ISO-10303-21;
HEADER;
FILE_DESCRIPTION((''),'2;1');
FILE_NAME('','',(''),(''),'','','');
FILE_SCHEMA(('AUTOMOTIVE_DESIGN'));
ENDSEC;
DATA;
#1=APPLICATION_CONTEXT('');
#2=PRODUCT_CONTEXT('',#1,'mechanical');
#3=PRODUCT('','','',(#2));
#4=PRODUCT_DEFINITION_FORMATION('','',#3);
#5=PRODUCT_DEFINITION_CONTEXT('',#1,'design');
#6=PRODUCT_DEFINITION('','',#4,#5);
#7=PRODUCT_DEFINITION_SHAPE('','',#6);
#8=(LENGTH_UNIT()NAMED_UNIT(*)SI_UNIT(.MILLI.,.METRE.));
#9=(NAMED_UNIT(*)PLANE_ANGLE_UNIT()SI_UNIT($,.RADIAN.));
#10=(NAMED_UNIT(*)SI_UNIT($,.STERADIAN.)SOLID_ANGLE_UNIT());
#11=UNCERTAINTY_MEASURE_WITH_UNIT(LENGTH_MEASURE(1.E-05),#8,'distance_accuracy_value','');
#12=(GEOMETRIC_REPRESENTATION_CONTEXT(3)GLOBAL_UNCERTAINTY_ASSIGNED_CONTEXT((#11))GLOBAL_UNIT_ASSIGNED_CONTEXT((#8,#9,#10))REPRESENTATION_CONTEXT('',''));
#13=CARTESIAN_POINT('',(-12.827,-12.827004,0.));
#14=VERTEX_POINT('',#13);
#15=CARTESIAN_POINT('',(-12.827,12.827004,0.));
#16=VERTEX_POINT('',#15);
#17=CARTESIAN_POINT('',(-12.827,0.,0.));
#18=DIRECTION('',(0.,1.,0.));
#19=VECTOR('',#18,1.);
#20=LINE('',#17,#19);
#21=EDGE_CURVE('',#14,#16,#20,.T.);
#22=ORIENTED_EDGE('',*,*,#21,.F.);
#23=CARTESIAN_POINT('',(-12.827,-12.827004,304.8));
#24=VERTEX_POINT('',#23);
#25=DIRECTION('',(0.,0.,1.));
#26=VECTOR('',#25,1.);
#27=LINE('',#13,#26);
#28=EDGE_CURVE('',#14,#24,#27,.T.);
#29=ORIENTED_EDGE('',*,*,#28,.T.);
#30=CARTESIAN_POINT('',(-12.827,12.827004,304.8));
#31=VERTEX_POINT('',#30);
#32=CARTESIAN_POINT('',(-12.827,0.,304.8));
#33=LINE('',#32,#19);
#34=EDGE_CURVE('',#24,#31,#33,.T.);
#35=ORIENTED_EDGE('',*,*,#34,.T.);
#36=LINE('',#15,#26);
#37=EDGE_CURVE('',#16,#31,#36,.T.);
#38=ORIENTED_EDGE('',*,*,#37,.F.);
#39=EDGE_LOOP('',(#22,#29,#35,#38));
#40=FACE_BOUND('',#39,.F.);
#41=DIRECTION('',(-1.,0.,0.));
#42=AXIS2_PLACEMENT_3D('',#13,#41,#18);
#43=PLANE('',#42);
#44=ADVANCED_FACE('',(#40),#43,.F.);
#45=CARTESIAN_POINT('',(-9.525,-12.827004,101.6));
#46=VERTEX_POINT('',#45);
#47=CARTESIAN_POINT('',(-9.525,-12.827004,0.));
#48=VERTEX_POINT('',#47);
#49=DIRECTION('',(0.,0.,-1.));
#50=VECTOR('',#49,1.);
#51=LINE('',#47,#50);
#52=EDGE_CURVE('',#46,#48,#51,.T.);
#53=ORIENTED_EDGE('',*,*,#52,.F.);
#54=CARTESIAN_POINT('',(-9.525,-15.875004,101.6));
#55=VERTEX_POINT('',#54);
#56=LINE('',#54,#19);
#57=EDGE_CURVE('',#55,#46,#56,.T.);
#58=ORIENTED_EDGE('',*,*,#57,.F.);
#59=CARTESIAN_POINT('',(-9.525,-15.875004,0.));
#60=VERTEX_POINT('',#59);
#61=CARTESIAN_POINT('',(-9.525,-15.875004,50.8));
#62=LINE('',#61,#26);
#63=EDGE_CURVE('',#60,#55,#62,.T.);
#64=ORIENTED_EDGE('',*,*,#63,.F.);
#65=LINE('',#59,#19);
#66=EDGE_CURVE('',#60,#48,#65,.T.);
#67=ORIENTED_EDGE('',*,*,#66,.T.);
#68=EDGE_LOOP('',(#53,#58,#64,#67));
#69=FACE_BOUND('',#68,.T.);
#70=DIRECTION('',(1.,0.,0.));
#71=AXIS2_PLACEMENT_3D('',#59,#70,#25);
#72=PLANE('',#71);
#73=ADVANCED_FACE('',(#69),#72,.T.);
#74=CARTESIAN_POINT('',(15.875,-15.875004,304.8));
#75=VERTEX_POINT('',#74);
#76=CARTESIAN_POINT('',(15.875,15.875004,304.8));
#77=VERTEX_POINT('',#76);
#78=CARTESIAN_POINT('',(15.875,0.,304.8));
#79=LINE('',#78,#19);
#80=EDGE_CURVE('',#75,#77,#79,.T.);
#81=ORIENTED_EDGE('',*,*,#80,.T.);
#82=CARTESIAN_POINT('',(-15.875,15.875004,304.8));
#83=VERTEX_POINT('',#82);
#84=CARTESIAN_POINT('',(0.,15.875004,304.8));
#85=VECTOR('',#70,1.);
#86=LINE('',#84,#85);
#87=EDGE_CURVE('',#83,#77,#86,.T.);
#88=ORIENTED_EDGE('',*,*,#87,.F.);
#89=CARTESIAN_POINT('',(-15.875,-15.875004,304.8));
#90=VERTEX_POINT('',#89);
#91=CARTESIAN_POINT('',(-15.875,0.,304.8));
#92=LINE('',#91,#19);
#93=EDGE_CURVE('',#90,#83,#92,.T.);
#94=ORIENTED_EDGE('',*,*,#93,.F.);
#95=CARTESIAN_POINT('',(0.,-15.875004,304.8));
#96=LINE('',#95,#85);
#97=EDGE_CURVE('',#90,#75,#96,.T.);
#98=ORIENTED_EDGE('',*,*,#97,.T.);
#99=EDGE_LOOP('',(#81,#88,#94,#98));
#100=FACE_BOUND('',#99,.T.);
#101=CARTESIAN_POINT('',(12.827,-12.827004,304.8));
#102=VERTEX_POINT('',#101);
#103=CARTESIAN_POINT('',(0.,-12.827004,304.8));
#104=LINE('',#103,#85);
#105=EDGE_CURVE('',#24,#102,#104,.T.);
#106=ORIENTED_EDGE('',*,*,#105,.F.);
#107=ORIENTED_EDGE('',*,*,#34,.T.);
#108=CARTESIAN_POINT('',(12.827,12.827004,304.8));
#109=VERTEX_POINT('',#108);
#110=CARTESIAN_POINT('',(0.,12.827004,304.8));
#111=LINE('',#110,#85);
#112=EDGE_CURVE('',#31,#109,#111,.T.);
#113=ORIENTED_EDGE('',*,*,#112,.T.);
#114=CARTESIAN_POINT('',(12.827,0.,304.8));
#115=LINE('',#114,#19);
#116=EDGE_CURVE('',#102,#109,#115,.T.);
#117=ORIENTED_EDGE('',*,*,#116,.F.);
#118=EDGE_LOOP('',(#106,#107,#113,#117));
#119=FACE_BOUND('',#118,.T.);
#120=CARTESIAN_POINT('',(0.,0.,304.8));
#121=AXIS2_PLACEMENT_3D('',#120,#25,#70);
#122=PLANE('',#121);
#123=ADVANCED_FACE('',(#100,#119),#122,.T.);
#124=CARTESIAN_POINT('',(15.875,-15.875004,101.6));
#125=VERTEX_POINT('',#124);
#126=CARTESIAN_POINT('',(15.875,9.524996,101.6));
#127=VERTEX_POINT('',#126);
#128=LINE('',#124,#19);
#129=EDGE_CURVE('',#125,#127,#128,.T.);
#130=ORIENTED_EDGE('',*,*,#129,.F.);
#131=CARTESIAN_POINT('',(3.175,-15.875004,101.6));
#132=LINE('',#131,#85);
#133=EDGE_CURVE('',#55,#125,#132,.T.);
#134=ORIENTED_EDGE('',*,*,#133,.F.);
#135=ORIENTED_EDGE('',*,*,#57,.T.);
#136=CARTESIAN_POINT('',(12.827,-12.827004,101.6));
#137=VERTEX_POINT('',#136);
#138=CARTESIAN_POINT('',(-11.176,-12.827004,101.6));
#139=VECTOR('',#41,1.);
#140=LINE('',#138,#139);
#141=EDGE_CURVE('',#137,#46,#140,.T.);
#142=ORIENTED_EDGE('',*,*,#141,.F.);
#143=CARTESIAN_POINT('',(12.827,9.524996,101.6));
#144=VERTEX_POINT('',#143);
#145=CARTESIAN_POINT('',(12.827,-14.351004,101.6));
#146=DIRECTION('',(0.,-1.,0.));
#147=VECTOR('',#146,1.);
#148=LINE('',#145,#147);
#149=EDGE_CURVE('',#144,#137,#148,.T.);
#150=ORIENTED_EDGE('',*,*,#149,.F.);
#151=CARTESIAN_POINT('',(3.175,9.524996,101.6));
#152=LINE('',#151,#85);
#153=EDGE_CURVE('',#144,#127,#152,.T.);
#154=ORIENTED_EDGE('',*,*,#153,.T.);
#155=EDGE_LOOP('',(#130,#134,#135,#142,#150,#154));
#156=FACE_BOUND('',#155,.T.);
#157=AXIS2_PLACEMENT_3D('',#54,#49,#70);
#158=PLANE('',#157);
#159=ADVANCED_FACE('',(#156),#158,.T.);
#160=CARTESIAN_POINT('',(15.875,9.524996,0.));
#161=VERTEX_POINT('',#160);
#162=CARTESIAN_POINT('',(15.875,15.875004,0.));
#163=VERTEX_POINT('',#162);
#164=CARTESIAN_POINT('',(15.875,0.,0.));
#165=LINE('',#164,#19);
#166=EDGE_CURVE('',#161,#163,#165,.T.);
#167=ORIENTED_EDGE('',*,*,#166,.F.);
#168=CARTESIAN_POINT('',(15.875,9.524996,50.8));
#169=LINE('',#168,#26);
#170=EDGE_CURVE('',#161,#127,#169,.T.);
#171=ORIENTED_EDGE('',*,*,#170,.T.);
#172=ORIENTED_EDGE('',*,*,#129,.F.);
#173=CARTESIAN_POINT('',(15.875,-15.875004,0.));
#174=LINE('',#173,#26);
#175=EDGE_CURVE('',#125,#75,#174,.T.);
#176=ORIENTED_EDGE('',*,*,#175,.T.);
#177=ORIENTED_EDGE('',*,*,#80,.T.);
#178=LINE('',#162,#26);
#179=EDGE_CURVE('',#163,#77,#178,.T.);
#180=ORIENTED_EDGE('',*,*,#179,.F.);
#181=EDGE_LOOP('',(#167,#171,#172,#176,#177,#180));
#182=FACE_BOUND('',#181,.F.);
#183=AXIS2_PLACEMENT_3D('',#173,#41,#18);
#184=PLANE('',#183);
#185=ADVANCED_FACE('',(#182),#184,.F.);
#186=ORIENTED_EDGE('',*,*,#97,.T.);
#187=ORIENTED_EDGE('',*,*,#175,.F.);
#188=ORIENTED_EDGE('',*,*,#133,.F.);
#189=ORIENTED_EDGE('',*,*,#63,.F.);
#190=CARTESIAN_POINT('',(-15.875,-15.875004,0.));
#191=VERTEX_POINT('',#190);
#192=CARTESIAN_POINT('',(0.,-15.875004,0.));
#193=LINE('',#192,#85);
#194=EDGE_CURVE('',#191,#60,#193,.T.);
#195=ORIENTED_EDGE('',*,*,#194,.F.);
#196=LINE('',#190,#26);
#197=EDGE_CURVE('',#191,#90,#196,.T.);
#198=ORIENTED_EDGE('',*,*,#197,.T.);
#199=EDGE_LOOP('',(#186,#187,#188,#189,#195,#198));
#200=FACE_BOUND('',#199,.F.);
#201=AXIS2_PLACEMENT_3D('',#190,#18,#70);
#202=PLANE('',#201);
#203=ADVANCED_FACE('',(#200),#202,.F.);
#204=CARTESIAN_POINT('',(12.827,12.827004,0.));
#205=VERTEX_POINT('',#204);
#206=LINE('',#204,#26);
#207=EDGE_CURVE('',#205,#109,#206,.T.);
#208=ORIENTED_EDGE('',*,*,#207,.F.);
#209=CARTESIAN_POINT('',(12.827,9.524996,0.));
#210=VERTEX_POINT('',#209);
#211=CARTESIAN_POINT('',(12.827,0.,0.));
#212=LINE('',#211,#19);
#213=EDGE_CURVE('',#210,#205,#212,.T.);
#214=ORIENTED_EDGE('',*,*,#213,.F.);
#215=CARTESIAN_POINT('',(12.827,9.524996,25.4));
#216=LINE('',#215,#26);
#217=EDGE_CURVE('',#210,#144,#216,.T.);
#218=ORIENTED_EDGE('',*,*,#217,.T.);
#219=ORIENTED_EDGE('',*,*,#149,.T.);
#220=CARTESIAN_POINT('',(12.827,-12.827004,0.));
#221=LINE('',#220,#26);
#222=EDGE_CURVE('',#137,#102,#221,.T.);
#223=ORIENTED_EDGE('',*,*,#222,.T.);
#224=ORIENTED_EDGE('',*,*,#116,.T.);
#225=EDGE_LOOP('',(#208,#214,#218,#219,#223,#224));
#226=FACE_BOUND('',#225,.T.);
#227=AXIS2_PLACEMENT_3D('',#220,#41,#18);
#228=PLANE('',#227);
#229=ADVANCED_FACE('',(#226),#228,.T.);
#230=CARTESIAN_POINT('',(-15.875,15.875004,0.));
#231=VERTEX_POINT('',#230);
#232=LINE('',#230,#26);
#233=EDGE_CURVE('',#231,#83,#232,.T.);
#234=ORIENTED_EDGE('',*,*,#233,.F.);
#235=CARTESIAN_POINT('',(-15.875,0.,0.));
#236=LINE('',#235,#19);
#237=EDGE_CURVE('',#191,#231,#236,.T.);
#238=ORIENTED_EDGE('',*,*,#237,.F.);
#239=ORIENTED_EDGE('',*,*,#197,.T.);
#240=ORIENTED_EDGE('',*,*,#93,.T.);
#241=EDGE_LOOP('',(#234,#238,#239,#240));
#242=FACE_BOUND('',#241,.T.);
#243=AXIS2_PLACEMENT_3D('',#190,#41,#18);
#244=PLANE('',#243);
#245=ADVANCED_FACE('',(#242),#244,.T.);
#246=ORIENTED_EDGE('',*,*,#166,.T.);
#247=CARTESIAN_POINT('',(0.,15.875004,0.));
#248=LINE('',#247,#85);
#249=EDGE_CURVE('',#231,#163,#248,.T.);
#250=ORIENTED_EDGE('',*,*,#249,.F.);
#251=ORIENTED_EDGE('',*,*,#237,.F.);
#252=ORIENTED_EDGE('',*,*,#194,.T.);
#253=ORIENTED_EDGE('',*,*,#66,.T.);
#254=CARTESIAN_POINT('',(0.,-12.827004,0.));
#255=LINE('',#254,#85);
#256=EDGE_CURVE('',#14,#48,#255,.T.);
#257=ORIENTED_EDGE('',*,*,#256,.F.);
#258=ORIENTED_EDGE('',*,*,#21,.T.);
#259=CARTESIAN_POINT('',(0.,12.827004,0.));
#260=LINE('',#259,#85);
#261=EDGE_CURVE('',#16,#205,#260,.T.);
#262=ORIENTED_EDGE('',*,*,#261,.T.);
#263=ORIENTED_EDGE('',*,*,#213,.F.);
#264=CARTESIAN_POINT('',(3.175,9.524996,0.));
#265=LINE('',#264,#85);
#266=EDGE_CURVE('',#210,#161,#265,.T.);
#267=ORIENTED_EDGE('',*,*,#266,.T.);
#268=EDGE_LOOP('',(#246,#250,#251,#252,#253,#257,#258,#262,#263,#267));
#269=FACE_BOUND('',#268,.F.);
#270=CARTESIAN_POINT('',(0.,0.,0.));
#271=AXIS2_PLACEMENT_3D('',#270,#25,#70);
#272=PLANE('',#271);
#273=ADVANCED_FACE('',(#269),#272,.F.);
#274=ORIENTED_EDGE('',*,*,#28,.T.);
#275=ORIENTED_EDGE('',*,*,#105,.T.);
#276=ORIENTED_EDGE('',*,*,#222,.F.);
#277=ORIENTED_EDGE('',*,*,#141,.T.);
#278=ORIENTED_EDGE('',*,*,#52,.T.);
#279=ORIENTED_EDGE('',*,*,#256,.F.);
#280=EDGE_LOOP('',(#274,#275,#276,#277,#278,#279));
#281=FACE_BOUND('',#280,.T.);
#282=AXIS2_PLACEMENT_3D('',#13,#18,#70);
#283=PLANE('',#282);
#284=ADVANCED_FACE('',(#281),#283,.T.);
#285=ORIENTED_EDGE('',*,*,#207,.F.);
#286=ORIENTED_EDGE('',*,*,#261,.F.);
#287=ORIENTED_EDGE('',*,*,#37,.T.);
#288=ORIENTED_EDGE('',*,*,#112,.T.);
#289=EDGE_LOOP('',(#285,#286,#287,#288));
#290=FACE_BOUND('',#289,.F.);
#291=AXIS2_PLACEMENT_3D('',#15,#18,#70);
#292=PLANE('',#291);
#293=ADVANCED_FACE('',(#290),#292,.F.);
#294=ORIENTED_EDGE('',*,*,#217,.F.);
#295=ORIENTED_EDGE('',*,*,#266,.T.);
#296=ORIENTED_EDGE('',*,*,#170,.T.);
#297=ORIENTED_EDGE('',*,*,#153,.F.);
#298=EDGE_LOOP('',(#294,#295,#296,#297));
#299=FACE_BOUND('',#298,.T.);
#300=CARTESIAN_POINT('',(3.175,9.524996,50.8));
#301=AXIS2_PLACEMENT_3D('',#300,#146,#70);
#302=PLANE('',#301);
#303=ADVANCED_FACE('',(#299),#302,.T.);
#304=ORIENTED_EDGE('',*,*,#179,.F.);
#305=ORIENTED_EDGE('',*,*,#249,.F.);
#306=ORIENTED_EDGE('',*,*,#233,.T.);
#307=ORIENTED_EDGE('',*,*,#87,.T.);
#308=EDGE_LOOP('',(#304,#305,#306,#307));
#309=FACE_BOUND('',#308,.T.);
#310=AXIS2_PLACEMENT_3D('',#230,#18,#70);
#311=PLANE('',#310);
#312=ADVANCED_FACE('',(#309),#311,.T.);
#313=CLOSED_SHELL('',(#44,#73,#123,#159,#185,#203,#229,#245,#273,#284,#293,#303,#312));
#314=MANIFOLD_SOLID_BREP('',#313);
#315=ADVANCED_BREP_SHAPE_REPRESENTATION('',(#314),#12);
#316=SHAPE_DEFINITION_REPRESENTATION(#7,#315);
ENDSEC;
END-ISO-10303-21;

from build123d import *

# Parameters (mm, degrees)
F0_W     = 31.75
F0_H     = 31.750008
F0_W_2   = 25.654
F0_H_2   = 25.654008
F1_DEPTH = 304.8
F2_W     = 25.4
F2_H     = 101.6
F3_DEPTH = 25.4


with BuildPart() as f1:
    # F0 (on Top) → F1 (new body)
    with BuildSketch(Plane.XY):
        Rectangle(F0_W, F0_H)
        Rectangle(F0_W_2, F0_H_2, mode=Mode.SUBTRACT)
    extrude(amount=F1_DEPTH)

    # F2 (on face) → F3 (cut)
    with BuildSketch(Plane.XZ.offset(15.875004)):
        with Locations((3.175, 50.8)):
            Rectangle(F2_W, F2_H)
    extrude(amount=-F3_DEPTH, mode=Mode.SUBTRACT)


solid = f1.part
